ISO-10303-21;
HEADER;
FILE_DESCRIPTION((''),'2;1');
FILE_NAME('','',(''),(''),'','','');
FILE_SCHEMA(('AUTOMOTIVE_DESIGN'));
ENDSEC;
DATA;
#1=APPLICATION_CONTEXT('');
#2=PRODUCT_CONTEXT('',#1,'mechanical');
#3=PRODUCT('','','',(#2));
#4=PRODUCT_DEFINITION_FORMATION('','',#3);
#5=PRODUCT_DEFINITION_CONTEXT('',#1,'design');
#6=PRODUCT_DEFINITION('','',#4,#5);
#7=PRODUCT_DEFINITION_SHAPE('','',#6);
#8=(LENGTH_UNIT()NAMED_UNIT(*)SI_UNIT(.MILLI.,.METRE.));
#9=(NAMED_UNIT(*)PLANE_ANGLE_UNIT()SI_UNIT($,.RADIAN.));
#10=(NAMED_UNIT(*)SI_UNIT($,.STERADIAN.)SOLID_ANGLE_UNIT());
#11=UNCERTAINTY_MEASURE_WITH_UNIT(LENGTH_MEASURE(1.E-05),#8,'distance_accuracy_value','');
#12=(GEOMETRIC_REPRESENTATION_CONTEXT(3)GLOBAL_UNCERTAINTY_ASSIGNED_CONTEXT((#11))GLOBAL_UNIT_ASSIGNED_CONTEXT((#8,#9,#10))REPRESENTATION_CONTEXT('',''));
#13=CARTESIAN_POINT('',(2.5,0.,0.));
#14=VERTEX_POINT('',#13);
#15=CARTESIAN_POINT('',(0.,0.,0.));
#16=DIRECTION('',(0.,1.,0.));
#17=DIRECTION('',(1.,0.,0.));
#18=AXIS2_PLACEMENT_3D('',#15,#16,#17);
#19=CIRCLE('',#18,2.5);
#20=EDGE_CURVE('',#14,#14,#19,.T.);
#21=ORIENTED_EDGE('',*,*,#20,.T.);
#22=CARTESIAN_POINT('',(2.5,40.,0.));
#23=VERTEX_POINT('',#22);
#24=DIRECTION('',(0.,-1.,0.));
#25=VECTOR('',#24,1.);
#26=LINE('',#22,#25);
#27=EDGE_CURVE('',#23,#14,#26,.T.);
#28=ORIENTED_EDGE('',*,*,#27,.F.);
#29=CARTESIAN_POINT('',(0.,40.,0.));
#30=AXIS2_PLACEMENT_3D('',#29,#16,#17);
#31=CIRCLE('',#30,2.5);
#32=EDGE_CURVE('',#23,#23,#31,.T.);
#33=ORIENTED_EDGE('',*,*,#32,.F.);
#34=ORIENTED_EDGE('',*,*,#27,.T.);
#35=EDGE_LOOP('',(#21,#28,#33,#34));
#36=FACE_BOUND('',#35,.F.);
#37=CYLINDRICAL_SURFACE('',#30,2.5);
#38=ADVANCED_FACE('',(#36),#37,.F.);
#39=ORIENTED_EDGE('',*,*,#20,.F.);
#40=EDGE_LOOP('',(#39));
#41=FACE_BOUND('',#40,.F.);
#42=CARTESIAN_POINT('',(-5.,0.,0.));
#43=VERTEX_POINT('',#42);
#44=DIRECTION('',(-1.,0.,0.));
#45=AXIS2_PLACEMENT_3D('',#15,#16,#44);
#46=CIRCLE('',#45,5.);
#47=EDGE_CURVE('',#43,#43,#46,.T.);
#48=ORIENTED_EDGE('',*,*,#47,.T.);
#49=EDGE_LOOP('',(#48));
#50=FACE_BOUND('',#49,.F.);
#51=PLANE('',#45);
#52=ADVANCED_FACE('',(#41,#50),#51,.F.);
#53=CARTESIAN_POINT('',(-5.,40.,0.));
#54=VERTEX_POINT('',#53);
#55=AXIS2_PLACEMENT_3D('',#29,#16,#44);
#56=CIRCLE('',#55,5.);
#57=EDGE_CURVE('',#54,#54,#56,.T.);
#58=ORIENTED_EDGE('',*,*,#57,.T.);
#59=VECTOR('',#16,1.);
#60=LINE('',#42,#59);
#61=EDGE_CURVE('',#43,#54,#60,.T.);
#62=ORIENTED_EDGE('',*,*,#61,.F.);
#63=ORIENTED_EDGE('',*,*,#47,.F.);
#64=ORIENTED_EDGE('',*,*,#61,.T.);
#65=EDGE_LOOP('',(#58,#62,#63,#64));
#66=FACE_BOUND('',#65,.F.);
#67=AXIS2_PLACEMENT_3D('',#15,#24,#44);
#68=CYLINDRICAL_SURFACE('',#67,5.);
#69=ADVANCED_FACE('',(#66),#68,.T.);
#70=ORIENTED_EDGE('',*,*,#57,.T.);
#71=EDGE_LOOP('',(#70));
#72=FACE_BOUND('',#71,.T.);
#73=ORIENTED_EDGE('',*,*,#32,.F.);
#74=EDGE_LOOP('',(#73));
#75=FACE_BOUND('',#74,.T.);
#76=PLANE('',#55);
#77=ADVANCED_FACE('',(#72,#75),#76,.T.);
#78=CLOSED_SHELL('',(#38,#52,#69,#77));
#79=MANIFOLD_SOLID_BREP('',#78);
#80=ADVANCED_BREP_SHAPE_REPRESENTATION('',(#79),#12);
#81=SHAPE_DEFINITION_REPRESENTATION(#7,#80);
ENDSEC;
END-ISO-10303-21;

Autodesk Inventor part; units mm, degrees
ref_plane "YZ Plane" through (0, 0, 0) normal (1, 0, 0) x (0, 1, 0)
ref_plane "XZ Plane" through (0, 0, 0) normal (0, 1, 0) x (-1, 0, 0)
ref_plane "XY Plane" through (0, 0, 0) normal (0, 0, 1) x (1, 0, 0)
sketch "Sketch1" plane through (0, 0, 0) normal (0, 1, 0) x (-1, 0, 0)
  circle A0 centre (0, 0) radius 5
  dimension "d0" = 10
extrude "Extrusion1" add sketch "Sketch1" along normal blind 40
sketch "Sketch2" plane through (0, 40, 0) normal (0, 1, 0) x (1, 0, 0)
  circle A0 centre (0, 0) radius 2.5
  dimension "d3" = 5
extrude "Extrusion2" cut sketch "Sketch2" against normal blind 40
equation "\"BendRadius\" = Thickness"
equation "\"BendReliefWidth\" = Thickness"
equation "\"BendReliefDepth\" = 0.5 * Thickness"
equation "\"CornerReliefSize\" = 4 * Thickness"
equation "\"MinimumRemnant\" = 2 * Thickness"
equation "\"TransitionRadius\" = BendRadius"
equation "\"JacobiRadiusSize\" = BendRadius"
equation "\"GapSize\" = Thickness"
equation "\"Thickness\" = 0.5"
properties part number "separamotor"
